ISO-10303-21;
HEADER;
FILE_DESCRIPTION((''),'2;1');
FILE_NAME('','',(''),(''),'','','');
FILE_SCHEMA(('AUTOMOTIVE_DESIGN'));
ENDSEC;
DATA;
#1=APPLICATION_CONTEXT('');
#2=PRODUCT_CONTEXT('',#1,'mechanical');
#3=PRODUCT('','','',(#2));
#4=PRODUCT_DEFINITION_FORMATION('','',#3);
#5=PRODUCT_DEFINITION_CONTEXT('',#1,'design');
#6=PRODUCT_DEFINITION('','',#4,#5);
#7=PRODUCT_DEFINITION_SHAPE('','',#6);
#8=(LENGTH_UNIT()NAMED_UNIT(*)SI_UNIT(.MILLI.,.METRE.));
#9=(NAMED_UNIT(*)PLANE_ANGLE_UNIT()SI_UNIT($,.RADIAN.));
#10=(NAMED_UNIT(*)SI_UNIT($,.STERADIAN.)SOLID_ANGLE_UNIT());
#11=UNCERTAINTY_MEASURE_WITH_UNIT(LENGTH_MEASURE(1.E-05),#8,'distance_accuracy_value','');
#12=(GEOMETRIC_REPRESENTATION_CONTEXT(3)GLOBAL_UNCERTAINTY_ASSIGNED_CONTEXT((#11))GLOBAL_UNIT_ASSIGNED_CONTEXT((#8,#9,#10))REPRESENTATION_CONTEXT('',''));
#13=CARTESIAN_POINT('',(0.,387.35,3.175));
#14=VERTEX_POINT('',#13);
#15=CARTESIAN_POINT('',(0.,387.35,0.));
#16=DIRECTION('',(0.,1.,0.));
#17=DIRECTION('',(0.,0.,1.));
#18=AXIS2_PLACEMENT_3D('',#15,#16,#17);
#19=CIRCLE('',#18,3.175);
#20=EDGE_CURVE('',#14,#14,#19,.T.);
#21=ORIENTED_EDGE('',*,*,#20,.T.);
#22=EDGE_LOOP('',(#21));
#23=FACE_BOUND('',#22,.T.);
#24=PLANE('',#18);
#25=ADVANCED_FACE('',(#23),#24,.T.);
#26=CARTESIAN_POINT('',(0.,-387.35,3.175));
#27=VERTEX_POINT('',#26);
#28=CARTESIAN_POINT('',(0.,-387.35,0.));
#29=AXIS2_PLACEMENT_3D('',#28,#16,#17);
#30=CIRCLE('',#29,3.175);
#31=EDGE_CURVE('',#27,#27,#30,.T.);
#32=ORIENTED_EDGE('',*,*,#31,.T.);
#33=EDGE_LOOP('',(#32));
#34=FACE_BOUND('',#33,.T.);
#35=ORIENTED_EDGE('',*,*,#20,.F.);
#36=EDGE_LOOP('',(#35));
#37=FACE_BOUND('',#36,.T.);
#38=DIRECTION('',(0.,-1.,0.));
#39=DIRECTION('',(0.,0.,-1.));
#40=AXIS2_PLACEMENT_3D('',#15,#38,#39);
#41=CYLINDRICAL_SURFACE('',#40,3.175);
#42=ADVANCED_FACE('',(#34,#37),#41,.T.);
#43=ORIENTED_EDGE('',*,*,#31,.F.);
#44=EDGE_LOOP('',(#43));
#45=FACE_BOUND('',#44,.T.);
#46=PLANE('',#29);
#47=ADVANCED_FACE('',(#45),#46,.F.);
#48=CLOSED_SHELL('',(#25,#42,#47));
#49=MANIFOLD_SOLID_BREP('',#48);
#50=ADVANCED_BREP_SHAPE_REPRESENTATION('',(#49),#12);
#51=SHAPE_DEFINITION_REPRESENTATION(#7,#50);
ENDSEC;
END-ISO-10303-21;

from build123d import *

# Parameters (mm, degrees)
SKETCH1_R           = 3.175
BOSS_EXTRUDE1_DEPTH = 387.35


with BuildPart() as part:
    # Sketch1 → Boss-Extrude1 (new body, symmetric)
    with BuildSketch(Plane(origin=(0, 0, 0), x_dir=(1, 0, 0), z_dir=(0, 1, 0))):
        Circle(SKETCH1_R)
    extrude(amount=BOSS_EXTRUDE1_DEPTH, both=True)


solid = part.part
